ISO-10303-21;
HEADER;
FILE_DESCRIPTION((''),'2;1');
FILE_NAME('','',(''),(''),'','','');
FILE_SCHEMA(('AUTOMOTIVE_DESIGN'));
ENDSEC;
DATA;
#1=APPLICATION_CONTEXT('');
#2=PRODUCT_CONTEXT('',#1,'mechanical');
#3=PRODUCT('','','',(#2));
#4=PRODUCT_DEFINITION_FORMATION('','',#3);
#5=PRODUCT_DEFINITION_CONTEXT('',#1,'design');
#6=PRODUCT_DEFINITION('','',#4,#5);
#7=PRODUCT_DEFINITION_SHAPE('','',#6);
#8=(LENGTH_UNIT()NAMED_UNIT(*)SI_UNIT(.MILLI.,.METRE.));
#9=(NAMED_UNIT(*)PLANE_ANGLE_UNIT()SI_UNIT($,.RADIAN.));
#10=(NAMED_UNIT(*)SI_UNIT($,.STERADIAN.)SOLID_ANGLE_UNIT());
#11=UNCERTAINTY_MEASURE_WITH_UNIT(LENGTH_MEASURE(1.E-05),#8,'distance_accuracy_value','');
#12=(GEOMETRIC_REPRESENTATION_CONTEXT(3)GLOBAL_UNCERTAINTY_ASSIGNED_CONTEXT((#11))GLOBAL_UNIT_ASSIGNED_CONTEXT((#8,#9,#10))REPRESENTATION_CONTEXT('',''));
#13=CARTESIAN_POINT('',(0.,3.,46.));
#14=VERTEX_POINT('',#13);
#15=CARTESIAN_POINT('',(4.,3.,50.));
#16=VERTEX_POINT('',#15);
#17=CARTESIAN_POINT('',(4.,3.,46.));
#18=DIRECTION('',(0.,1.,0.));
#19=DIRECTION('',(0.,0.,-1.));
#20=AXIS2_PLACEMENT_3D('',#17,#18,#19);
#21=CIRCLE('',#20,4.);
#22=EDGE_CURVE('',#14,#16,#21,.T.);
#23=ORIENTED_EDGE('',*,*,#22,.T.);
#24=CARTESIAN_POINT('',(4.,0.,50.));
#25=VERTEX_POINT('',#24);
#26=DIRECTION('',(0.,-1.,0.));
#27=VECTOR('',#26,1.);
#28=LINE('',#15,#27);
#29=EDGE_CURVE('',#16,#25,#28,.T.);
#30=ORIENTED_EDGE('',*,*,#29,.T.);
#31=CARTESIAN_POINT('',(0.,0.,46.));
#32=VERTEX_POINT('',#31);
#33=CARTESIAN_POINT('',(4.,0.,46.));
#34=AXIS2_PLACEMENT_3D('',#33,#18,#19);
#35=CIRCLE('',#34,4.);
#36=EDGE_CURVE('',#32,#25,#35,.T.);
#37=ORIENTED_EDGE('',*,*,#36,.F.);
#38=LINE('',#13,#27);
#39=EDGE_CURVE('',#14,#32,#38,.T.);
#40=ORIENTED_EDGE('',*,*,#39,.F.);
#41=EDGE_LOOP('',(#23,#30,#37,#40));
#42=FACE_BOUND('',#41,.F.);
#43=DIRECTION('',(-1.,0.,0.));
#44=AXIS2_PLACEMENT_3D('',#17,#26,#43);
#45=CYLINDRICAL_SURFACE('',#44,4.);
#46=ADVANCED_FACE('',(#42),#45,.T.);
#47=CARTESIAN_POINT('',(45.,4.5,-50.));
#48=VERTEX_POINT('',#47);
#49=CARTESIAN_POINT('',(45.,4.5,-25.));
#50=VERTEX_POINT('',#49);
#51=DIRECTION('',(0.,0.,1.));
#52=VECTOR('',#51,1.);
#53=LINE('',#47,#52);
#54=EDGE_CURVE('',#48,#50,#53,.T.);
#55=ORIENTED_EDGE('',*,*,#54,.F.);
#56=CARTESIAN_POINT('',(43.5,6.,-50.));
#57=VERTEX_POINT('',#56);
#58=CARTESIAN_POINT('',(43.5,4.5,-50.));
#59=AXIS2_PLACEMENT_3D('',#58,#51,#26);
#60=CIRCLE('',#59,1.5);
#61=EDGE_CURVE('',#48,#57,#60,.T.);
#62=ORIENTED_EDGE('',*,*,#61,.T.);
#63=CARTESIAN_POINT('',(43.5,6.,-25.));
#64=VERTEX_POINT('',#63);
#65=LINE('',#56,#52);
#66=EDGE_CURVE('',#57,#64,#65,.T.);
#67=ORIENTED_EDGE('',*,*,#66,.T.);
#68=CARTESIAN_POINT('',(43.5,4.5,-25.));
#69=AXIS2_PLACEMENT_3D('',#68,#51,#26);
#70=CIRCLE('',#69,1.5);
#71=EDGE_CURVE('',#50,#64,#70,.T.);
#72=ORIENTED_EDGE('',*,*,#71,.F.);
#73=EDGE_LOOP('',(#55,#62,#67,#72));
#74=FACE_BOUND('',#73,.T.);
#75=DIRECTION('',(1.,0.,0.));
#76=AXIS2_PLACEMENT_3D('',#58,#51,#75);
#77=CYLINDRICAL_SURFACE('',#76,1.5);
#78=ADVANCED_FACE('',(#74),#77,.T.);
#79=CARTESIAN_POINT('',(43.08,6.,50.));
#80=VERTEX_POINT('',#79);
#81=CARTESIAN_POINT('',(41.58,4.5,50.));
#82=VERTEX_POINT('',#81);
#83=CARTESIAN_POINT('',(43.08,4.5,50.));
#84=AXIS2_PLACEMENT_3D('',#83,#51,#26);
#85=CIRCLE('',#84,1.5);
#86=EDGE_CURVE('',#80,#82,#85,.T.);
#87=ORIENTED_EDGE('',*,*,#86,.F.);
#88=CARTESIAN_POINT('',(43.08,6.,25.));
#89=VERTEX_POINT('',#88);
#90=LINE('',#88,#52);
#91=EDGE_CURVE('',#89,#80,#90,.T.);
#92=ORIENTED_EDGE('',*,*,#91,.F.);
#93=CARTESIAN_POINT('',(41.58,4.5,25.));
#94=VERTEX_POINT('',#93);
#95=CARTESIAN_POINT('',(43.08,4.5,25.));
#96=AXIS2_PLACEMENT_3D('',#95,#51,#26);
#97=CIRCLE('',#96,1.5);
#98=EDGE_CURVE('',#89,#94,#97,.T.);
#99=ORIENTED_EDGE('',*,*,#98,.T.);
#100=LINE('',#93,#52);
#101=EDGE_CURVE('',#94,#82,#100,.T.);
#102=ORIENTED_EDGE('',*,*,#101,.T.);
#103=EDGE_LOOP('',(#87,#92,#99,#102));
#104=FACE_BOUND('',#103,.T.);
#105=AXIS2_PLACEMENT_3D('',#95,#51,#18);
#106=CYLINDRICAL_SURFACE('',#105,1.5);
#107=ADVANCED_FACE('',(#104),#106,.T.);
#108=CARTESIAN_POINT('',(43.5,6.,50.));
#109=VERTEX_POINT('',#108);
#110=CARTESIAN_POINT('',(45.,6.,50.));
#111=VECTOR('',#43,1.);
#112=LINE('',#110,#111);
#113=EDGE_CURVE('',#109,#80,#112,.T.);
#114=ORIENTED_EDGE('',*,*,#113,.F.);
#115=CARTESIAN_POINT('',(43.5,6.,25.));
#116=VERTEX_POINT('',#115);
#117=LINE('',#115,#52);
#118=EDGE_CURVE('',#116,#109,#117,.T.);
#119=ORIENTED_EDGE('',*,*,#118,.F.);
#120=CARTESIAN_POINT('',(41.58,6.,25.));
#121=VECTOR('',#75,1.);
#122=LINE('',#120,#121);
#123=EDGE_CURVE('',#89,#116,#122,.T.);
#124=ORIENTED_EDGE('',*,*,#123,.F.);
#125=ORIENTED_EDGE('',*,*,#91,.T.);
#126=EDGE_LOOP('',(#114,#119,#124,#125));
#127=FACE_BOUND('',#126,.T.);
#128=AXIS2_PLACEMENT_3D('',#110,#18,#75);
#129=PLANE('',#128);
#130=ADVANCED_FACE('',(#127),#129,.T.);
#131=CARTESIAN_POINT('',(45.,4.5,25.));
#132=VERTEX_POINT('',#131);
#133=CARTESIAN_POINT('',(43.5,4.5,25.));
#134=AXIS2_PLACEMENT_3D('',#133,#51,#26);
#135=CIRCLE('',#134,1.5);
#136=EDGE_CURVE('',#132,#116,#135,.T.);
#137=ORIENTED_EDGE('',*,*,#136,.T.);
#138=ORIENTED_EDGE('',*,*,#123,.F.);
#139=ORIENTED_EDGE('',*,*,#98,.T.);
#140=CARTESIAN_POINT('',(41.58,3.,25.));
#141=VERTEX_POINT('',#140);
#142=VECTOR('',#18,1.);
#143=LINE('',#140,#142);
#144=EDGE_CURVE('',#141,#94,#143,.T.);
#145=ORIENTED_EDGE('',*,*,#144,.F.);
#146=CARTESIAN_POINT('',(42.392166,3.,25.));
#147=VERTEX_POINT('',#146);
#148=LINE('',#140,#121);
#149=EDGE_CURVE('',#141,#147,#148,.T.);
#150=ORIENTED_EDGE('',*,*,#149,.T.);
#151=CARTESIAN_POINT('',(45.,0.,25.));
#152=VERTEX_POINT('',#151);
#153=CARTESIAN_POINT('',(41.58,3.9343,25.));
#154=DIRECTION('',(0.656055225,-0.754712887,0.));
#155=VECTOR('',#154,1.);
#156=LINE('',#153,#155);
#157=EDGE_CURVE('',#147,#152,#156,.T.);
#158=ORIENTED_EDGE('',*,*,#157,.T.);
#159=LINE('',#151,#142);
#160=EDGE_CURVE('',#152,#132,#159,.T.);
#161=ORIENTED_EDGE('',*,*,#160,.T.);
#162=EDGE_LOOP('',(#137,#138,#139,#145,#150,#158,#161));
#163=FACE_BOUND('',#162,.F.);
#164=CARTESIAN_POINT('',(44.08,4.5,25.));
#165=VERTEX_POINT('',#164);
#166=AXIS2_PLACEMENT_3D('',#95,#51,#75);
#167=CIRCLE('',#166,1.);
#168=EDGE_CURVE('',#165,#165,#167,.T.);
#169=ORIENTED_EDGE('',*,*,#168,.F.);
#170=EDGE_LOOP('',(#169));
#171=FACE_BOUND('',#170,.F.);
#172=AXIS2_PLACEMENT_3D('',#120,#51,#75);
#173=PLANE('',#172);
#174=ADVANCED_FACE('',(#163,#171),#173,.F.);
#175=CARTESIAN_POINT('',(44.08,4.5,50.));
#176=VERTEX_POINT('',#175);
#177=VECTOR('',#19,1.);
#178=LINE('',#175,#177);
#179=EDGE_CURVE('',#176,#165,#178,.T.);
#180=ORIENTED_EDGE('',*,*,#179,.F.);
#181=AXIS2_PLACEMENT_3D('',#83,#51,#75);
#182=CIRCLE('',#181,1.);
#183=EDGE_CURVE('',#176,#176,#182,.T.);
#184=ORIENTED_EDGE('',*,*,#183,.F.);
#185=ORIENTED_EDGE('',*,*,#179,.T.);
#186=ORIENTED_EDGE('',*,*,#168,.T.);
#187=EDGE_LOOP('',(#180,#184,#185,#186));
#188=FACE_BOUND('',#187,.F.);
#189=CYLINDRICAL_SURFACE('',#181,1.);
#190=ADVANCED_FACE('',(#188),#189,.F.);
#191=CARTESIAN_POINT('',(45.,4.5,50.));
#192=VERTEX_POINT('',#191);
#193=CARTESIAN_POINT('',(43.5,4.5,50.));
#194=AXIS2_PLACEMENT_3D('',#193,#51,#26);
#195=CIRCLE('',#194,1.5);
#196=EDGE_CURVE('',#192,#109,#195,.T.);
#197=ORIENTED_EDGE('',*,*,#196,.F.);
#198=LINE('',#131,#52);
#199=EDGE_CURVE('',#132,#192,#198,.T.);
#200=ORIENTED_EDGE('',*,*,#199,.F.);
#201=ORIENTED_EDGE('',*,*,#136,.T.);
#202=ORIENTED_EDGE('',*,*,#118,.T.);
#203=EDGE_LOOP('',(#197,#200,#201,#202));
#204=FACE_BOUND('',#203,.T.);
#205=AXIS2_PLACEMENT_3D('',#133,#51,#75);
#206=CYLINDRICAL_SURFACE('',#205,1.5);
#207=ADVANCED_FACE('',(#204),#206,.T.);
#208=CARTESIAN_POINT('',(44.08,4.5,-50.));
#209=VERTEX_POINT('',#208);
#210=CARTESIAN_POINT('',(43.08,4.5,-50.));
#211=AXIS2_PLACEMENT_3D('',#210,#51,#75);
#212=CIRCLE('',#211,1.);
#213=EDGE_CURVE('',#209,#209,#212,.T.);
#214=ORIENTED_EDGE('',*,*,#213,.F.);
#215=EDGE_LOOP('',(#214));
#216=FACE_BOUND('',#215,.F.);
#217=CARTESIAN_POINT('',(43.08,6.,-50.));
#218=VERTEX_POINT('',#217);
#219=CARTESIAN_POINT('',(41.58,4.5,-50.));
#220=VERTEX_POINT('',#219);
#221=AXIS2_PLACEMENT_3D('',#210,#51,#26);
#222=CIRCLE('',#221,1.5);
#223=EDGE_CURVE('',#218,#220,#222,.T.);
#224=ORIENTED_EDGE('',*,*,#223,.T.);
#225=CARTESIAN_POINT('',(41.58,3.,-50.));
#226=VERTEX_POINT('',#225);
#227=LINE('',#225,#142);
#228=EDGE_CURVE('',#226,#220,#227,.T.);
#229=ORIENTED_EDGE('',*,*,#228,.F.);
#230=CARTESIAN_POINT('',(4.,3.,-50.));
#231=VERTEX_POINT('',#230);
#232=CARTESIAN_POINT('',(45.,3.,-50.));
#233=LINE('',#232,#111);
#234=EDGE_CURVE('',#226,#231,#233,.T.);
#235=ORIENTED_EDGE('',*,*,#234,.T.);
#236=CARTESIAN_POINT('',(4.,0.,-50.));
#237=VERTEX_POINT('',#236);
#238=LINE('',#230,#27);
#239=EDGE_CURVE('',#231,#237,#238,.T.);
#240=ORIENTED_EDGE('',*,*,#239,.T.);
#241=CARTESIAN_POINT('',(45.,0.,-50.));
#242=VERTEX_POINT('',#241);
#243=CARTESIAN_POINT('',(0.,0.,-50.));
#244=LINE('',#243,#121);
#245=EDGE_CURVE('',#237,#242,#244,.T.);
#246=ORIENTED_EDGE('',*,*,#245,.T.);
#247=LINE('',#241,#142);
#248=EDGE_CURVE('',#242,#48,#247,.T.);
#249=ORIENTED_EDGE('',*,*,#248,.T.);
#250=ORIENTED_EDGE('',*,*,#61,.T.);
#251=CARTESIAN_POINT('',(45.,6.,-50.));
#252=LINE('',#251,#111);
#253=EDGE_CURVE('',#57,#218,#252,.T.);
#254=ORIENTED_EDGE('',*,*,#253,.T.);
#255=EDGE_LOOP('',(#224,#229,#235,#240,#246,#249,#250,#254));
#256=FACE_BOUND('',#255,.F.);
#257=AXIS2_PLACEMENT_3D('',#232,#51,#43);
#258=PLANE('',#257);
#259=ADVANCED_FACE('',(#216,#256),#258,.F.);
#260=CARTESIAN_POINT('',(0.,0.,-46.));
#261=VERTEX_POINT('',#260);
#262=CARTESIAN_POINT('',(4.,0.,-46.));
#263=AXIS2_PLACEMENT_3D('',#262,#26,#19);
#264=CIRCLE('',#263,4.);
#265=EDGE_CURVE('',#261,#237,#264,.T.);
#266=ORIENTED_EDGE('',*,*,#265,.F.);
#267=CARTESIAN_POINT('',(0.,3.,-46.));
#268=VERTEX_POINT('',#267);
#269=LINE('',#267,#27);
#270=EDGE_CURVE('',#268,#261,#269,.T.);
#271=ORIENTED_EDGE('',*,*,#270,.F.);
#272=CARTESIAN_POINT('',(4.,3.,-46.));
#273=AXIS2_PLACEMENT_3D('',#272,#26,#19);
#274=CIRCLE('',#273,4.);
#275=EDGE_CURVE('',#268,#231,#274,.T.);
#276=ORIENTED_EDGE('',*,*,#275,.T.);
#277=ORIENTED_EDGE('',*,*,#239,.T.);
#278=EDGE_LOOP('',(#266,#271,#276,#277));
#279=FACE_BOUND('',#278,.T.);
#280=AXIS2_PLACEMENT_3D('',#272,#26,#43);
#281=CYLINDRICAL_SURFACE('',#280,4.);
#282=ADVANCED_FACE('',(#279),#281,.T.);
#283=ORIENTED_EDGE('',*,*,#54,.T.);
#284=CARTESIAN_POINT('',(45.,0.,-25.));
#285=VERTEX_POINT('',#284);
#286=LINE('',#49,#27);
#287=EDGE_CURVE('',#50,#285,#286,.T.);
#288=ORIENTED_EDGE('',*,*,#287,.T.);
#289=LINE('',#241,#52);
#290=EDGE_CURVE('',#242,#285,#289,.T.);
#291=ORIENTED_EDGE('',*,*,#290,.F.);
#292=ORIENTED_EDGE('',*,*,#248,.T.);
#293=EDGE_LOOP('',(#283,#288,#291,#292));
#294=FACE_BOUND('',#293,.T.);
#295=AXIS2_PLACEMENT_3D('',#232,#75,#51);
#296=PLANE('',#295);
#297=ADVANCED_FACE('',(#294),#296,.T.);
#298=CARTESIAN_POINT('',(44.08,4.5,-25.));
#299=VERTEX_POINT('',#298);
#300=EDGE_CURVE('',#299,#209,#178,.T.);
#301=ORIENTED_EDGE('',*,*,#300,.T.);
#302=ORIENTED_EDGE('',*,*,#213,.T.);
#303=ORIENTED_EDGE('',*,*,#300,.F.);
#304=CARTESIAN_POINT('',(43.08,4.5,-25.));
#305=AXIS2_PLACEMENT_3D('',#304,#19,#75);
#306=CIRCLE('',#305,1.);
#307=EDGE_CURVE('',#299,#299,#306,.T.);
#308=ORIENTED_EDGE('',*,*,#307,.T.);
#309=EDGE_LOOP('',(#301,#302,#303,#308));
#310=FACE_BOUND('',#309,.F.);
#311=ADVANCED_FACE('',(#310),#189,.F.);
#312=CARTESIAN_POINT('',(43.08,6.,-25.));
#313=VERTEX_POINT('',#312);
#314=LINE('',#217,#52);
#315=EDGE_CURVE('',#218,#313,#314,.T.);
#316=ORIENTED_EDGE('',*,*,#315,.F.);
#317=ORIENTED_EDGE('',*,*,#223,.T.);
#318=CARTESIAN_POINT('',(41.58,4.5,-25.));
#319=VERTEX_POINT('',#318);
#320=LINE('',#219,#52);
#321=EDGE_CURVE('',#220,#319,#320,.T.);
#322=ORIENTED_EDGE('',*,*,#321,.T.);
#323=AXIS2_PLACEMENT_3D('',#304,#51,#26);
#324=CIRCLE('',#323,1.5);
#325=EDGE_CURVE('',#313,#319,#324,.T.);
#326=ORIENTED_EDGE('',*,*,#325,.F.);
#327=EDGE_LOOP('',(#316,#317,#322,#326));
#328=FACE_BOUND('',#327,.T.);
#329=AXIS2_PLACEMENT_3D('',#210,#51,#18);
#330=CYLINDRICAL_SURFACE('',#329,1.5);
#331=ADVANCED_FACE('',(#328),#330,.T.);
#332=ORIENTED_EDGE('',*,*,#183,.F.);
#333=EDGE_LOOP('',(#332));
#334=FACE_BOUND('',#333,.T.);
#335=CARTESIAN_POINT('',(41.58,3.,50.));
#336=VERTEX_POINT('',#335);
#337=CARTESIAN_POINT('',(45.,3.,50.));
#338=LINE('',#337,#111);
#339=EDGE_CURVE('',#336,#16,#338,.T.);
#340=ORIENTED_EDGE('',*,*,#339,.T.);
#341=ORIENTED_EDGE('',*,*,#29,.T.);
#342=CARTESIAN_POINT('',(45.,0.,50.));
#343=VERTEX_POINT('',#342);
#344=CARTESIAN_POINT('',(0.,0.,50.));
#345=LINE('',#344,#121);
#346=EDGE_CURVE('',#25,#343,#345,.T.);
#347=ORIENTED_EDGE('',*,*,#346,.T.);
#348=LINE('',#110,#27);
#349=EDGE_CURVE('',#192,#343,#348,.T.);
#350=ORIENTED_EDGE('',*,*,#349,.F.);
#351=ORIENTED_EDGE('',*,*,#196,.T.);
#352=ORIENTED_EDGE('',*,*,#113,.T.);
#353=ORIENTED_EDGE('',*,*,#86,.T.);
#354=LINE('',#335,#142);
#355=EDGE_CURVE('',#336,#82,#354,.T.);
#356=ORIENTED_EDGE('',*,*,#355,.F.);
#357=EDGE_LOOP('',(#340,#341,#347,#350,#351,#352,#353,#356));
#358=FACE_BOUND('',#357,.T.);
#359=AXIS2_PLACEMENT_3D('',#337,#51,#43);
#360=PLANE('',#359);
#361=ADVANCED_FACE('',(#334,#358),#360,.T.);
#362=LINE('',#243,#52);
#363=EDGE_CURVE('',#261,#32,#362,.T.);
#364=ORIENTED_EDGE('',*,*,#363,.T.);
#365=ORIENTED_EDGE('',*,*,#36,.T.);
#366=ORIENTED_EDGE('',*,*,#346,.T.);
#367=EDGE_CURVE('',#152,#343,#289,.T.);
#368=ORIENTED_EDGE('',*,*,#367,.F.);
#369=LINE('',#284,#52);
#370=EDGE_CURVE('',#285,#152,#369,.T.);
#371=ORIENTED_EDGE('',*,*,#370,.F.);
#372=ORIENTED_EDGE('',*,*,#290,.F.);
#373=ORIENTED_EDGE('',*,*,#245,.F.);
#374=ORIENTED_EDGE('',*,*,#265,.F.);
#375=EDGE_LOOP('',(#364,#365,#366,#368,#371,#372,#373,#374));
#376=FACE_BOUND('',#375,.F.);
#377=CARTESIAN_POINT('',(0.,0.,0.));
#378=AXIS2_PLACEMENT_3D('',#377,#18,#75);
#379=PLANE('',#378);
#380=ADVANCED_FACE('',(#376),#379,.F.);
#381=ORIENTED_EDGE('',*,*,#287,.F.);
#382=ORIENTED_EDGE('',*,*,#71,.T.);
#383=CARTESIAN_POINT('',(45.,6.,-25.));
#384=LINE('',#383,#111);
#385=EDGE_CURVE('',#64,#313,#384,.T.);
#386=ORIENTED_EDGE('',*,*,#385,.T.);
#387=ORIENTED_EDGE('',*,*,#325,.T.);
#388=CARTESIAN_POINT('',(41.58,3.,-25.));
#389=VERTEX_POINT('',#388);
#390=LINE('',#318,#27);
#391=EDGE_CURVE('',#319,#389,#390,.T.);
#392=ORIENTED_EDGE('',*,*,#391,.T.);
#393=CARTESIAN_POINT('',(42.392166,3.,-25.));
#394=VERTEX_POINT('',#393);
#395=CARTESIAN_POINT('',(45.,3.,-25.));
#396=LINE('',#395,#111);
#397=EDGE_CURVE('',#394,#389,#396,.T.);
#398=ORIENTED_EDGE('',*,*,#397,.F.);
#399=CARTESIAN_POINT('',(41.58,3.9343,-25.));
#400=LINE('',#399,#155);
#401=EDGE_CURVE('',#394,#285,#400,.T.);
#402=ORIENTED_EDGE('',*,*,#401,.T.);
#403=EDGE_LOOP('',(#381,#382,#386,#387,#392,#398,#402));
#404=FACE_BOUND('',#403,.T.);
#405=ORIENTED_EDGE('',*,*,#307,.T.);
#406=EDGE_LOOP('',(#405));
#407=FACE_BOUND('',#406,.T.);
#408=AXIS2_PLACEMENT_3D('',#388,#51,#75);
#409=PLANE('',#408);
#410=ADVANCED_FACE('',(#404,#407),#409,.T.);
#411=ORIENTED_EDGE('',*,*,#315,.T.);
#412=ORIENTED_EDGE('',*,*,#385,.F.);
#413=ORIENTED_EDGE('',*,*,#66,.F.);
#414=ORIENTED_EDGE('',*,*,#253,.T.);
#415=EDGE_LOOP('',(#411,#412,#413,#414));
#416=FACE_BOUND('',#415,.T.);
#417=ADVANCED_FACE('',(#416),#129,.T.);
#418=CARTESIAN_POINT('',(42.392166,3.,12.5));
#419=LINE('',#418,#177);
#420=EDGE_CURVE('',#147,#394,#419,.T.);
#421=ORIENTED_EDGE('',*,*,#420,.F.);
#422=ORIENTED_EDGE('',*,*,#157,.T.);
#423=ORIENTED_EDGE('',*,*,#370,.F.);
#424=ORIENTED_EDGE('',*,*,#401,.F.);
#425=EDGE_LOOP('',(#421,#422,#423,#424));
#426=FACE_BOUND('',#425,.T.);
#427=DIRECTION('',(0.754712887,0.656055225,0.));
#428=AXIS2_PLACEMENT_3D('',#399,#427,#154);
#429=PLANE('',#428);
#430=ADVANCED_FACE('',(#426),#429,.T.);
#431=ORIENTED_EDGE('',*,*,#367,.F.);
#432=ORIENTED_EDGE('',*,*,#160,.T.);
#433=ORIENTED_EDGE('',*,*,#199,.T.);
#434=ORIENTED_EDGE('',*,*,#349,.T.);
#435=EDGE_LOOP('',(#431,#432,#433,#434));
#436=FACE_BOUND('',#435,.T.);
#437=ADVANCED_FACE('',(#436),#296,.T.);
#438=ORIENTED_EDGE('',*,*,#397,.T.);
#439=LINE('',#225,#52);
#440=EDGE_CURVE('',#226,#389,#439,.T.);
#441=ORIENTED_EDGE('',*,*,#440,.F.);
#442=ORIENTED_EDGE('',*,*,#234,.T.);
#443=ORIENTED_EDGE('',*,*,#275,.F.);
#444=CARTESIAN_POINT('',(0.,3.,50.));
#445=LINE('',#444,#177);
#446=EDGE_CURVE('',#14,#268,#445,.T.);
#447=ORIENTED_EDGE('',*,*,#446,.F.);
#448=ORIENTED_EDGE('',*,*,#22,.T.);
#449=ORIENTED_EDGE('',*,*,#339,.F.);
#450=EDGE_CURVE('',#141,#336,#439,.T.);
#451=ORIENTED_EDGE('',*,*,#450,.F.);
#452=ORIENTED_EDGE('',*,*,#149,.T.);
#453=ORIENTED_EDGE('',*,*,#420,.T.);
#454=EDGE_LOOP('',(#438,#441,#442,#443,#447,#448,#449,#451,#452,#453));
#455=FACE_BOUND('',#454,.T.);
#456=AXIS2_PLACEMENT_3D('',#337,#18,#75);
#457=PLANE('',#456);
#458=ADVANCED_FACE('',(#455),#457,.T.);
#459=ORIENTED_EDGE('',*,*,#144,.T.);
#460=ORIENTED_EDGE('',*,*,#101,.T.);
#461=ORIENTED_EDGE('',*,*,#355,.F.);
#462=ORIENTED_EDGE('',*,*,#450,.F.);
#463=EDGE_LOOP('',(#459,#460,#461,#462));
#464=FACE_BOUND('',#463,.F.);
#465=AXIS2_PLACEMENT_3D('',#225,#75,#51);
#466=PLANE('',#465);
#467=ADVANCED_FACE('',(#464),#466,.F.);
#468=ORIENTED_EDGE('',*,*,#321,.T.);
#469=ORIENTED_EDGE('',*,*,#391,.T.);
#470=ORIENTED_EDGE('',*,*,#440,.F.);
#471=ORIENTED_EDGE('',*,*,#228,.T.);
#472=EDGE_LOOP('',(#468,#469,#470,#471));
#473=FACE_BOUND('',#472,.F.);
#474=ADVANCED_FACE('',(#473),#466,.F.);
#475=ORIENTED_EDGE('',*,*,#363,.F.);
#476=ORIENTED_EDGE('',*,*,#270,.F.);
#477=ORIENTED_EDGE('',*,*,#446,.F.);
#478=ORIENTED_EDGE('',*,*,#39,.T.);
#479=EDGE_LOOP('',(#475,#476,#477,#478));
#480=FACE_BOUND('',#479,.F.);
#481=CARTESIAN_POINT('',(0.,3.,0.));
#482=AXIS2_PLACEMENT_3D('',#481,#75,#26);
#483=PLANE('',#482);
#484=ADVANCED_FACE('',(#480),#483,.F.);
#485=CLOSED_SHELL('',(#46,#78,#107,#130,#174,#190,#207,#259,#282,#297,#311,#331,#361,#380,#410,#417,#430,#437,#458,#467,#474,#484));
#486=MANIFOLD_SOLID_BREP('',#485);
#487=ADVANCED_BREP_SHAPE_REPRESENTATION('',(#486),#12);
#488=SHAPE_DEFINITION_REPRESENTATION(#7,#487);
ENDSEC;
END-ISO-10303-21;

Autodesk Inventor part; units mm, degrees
ref_plane "YZ Plane" through (0, 0, 0) normal (1, 0, 0) x (0, 1, 0)
ref_plane "XZ Plane" through (0, 0, 0) normal (0, 1, 0) x (-1, 0, 0)
ref_plane "XY Plane" through (0, 0, 0) normal (0, 0, 1) x (1, 0, 0)
sketch "Эскиз2" plane through (0, 0, 0) normal (0, 0, 1) x (1, 0, 0)
  line L0 (0, 0) -> (45, 0)
  line L1 (45, 0) -> (45, 3)
  line L2 (45, 3) -> (0, 3)
  line L3 (0, 3) -> (0, 0)
  dimension "d14" = 45
  dimension "d15" = 3
extrude "Выдавливание2" add sketch "Эскиз2" along normal mid plane 100
fillet "Сопряжение1" radius 4 2 edges at (0, 1.5, 50) (0, 1.5, -50)
sketch "Эскиз5" plane through (45, 3, 50) normal (0, 1, 0) x (1, 0, 0)
  line L0 (0, 100) -> (0, 0) projected
  line L1 (0, 0) -> (-41, 0) projected
  line L2 (0, 100) -> (-3.42, 100)
  line L3 (-3.42, 100) -> (-3.42, 0)
  line L4 (-3.42, 0) -> (0, 0)
  line L5 (0, 0) -> (0, 100)
  point P0 (-45, 50)
  dimension "d25" = 3.42
extrude "Выдавливание4" add sketch "Эскиз5" along normal blind 3
sketch "Эскиз6" plane through (0, 0, 50) normal (0, 0, 1) x (1, 0, 0)
  circle A0 centre (43.08, 4.5) radius 1
  line L0 (41.58, 6) -> (45, 6) projected
  line L1 (41.58, 3) -> (41.58, 6) projected
  point P0 (0, 0)
  dimension "d28" = 2
  dimension "d29" = 1.5
  dimension "d30" = 1.5
extrude "Выдавливание5" cut sketch "Эскиз6" against normal through all
sketch "Эскиз7" plane through (45, 6, 50) normal (0, 1, 0) x (1, 0, 0)
  line L0 (-3.42, 100) -> (-3.42, 0) projected
  line L1 (0, 0) -> (0, 100) projected
  line L2 (-3.42, 25) -> (0, 25)
  line L3 (0, 25) -> (0, 75)
  line L4 (0, 75) -> (-3.42, 75)
  line L5 (-3.42, 75) -> (-3.42, 25)
  line L6 (-3.42, 0) -> (-41, 0) projected
  point P0 (-45, 50)
  point P1 (-3.42, 75)
  point P2 (0, 25)
  dimension "d33" = 50
  dimension "d34" = 25
extrude "Выдавливание6" cut sketch "Эскиз7" against normal blind 3
fillet "Сопряжение2" radius 1.5 4 edges at (45, 6, 37.5) (41.58, 6, 37.5) (45, 6, -37.5) (41.58, 6, -37.5)
sketch "Эскиз8" plane through (41.58, 3, -25) normal (0, 0, 1) x (1, 0, 0)
  line L0 (3.42, -3) -> (3.42, 1.5) projected
  line L1 (0, 0.9343) -> (3.42, -3)
  line L2 (3.42, -3) -> (-37.58, -3) projected
  line L3 (0, 0) -> (0, 1.5) projected
  line L4 (0, 0.9343) -> (3.42, 0.9343)
  point P0 (-41.58, -3)
  dimension "d38" = 49
extrude "Выдавливание7" cut sketch "Эскиз8" along normal up to surface (50 mm away)
properties part number "Cover"
